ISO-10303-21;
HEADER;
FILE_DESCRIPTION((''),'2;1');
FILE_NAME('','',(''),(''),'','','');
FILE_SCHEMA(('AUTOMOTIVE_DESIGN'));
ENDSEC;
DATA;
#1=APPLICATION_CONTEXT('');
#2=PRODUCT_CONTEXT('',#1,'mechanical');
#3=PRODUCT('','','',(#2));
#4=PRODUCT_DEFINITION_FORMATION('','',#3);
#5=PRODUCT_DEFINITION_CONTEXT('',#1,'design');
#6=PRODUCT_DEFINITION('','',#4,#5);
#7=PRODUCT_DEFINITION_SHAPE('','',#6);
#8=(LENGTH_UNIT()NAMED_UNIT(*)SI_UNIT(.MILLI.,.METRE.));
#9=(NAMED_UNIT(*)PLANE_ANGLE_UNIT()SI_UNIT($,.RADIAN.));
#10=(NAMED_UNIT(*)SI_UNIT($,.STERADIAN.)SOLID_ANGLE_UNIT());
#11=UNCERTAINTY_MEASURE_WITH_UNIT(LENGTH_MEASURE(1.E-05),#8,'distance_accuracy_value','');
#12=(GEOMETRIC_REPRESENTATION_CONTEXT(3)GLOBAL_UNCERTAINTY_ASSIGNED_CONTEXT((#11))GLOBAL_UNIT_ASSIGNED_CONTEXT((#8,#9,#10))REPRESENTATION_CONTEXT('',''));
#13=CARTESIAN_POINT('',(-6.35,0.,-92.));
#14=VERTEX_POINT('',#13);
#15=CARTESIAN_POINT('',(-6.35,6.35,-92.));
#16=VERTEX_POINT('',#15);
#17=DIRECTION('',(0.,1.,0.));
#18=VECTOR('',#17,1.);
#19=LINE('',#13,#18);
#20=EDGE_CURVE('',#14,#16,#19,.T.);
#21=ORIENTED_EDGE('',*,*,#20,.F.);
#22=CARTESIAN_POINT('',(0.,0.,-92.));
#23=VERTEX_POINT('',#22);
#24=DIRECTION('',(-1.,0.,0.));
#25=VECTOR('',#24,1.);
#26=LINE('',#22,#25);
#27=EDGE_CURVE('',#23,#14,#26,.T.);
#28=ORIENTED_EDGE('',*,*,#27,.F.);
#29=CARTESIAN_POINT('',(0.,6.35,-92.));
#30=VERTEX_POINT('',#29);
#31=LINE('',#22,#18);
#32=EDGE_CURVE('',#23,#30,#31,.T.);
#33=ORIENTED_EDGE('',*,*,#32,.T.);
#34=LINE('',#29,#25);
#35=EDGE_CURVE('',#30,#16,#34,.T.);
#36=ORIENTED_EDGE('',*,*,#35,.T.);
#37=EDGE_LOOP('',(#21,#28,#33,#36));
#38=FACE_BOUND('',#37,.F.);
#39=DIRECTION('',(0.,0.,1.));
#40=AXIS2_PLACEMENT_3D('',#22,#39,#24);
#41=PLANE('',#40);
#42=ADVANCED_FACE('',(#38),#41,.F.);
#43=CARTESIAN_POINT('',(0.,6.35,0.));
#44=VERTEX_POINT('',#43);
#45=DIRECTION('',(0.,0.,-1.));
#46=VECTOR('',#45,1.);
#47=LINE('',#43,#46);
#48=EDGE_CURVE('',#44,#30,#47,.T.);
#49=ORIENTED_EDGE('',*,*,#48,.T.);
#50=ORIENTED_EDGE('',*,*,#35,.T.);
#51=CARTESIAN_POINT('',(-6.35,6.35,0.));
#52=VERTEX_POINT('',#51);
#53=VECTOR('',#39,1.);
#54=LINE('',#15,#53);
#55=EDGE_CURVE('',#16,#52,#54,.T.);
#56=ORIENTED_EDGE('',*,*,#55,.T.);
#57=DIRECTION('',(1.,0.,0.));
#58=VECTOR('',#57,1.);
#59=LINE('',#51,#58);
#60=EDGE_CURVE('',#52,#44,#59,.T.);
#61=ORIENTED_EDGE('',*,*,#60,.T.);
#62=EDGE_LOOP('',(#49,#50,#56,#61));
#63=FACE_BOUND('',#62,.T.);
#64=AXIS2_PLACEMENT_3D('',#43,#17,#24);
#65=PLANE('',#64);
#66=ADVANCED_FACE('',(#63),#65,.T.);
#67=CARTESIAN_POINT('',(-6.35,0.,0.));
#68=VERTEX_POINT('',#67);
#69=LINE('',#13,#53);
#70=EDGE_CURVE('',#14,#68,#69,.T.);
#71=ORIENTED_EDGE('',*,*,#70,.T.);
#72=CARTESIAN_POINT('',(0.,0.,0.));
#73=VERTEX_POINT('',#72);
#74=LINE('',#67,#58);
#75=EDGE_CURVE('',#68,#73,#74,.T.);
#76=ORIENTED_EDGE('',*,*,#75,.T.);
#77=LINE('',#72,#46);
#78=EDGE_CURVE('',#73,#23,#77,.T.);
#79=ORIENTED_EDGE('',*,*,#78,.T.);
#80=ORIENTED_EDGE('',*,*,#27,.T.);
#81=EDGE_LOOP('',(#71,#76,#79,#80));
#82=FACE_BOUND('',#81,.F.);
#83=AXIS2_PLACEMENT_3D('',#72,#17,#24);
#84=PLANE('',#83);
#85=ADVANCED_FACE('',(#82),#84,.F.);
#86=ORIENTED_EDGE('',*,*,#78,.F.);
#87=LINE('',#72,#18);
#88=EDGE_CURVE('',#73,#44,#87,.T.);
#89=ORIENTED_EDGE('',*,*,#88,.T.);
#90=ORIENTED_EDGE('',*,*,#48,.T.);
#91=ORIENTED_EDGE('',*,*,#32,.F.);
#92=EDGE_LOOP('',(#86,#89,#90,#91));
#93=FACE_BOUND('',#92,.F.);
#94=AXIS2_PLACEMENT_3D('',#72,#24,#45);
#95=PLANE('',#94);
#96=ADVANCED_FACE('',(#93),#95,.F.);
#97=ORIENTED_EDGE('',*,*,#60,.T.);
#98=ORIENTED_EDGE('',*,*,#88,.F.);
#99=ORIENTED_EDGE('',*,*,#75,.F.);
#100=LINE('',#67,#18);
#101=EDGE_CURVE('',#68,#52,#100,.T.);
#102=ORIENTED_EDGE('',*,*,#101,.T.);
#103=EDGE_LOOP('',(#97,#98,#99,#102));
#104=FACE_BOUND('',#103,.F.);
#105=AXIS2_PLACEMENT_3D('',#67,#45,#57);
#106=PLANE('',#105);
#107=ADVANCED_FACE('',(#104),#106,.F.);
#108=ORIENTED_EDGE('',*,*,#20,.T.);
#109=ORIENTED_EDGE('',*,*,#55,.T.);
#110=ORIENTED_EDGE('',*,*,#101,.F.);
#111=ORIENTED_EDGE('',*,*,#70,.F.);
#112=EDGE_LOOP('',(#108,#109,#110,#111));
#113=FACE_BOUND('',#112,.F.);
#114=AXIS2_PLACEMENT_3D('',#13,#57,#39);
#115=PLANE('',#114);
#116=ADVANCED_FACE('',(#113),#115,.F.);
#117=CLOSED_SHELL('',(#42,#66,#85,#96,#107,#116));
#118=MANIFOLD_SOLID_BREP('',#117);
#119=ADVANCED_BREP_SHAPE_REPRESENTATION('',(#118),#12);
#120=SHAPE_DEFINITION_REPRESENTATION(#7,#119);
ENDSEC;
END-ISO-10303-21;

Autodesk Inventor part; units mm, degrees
ref_plane "YZ Plane" through (0, 0, 0) normal (1, 0, 0) x (0, 1, 0)
ref_plane "XZ Plane" through (0, 0, 0) normal (0, 1, 0) x (-1, 0, 0)
ref_plane "XY Plane" through (0, 0, 0) normal (0, 0, 1) x (1, 0, 0)
sketch "Sketch1" plane through (0, 0, 0) normal (0, 1, 0) x (-1, 0, 0)
  line L0 (0, 0) -> (0, -92)
  line L1 (0, -92) -> (6.35, -92)
  line L2 (6.35, -92) -> (6.35, 0)
  line L3 (6.35, 0) -> (0, 0)
  dimension "d0" = 92
  dimension "d1" = 6.35
extrude "Extrusion1" add sketch "Sketch1" along normal blind 6.35
properties part number "UpperSquareSupport"
